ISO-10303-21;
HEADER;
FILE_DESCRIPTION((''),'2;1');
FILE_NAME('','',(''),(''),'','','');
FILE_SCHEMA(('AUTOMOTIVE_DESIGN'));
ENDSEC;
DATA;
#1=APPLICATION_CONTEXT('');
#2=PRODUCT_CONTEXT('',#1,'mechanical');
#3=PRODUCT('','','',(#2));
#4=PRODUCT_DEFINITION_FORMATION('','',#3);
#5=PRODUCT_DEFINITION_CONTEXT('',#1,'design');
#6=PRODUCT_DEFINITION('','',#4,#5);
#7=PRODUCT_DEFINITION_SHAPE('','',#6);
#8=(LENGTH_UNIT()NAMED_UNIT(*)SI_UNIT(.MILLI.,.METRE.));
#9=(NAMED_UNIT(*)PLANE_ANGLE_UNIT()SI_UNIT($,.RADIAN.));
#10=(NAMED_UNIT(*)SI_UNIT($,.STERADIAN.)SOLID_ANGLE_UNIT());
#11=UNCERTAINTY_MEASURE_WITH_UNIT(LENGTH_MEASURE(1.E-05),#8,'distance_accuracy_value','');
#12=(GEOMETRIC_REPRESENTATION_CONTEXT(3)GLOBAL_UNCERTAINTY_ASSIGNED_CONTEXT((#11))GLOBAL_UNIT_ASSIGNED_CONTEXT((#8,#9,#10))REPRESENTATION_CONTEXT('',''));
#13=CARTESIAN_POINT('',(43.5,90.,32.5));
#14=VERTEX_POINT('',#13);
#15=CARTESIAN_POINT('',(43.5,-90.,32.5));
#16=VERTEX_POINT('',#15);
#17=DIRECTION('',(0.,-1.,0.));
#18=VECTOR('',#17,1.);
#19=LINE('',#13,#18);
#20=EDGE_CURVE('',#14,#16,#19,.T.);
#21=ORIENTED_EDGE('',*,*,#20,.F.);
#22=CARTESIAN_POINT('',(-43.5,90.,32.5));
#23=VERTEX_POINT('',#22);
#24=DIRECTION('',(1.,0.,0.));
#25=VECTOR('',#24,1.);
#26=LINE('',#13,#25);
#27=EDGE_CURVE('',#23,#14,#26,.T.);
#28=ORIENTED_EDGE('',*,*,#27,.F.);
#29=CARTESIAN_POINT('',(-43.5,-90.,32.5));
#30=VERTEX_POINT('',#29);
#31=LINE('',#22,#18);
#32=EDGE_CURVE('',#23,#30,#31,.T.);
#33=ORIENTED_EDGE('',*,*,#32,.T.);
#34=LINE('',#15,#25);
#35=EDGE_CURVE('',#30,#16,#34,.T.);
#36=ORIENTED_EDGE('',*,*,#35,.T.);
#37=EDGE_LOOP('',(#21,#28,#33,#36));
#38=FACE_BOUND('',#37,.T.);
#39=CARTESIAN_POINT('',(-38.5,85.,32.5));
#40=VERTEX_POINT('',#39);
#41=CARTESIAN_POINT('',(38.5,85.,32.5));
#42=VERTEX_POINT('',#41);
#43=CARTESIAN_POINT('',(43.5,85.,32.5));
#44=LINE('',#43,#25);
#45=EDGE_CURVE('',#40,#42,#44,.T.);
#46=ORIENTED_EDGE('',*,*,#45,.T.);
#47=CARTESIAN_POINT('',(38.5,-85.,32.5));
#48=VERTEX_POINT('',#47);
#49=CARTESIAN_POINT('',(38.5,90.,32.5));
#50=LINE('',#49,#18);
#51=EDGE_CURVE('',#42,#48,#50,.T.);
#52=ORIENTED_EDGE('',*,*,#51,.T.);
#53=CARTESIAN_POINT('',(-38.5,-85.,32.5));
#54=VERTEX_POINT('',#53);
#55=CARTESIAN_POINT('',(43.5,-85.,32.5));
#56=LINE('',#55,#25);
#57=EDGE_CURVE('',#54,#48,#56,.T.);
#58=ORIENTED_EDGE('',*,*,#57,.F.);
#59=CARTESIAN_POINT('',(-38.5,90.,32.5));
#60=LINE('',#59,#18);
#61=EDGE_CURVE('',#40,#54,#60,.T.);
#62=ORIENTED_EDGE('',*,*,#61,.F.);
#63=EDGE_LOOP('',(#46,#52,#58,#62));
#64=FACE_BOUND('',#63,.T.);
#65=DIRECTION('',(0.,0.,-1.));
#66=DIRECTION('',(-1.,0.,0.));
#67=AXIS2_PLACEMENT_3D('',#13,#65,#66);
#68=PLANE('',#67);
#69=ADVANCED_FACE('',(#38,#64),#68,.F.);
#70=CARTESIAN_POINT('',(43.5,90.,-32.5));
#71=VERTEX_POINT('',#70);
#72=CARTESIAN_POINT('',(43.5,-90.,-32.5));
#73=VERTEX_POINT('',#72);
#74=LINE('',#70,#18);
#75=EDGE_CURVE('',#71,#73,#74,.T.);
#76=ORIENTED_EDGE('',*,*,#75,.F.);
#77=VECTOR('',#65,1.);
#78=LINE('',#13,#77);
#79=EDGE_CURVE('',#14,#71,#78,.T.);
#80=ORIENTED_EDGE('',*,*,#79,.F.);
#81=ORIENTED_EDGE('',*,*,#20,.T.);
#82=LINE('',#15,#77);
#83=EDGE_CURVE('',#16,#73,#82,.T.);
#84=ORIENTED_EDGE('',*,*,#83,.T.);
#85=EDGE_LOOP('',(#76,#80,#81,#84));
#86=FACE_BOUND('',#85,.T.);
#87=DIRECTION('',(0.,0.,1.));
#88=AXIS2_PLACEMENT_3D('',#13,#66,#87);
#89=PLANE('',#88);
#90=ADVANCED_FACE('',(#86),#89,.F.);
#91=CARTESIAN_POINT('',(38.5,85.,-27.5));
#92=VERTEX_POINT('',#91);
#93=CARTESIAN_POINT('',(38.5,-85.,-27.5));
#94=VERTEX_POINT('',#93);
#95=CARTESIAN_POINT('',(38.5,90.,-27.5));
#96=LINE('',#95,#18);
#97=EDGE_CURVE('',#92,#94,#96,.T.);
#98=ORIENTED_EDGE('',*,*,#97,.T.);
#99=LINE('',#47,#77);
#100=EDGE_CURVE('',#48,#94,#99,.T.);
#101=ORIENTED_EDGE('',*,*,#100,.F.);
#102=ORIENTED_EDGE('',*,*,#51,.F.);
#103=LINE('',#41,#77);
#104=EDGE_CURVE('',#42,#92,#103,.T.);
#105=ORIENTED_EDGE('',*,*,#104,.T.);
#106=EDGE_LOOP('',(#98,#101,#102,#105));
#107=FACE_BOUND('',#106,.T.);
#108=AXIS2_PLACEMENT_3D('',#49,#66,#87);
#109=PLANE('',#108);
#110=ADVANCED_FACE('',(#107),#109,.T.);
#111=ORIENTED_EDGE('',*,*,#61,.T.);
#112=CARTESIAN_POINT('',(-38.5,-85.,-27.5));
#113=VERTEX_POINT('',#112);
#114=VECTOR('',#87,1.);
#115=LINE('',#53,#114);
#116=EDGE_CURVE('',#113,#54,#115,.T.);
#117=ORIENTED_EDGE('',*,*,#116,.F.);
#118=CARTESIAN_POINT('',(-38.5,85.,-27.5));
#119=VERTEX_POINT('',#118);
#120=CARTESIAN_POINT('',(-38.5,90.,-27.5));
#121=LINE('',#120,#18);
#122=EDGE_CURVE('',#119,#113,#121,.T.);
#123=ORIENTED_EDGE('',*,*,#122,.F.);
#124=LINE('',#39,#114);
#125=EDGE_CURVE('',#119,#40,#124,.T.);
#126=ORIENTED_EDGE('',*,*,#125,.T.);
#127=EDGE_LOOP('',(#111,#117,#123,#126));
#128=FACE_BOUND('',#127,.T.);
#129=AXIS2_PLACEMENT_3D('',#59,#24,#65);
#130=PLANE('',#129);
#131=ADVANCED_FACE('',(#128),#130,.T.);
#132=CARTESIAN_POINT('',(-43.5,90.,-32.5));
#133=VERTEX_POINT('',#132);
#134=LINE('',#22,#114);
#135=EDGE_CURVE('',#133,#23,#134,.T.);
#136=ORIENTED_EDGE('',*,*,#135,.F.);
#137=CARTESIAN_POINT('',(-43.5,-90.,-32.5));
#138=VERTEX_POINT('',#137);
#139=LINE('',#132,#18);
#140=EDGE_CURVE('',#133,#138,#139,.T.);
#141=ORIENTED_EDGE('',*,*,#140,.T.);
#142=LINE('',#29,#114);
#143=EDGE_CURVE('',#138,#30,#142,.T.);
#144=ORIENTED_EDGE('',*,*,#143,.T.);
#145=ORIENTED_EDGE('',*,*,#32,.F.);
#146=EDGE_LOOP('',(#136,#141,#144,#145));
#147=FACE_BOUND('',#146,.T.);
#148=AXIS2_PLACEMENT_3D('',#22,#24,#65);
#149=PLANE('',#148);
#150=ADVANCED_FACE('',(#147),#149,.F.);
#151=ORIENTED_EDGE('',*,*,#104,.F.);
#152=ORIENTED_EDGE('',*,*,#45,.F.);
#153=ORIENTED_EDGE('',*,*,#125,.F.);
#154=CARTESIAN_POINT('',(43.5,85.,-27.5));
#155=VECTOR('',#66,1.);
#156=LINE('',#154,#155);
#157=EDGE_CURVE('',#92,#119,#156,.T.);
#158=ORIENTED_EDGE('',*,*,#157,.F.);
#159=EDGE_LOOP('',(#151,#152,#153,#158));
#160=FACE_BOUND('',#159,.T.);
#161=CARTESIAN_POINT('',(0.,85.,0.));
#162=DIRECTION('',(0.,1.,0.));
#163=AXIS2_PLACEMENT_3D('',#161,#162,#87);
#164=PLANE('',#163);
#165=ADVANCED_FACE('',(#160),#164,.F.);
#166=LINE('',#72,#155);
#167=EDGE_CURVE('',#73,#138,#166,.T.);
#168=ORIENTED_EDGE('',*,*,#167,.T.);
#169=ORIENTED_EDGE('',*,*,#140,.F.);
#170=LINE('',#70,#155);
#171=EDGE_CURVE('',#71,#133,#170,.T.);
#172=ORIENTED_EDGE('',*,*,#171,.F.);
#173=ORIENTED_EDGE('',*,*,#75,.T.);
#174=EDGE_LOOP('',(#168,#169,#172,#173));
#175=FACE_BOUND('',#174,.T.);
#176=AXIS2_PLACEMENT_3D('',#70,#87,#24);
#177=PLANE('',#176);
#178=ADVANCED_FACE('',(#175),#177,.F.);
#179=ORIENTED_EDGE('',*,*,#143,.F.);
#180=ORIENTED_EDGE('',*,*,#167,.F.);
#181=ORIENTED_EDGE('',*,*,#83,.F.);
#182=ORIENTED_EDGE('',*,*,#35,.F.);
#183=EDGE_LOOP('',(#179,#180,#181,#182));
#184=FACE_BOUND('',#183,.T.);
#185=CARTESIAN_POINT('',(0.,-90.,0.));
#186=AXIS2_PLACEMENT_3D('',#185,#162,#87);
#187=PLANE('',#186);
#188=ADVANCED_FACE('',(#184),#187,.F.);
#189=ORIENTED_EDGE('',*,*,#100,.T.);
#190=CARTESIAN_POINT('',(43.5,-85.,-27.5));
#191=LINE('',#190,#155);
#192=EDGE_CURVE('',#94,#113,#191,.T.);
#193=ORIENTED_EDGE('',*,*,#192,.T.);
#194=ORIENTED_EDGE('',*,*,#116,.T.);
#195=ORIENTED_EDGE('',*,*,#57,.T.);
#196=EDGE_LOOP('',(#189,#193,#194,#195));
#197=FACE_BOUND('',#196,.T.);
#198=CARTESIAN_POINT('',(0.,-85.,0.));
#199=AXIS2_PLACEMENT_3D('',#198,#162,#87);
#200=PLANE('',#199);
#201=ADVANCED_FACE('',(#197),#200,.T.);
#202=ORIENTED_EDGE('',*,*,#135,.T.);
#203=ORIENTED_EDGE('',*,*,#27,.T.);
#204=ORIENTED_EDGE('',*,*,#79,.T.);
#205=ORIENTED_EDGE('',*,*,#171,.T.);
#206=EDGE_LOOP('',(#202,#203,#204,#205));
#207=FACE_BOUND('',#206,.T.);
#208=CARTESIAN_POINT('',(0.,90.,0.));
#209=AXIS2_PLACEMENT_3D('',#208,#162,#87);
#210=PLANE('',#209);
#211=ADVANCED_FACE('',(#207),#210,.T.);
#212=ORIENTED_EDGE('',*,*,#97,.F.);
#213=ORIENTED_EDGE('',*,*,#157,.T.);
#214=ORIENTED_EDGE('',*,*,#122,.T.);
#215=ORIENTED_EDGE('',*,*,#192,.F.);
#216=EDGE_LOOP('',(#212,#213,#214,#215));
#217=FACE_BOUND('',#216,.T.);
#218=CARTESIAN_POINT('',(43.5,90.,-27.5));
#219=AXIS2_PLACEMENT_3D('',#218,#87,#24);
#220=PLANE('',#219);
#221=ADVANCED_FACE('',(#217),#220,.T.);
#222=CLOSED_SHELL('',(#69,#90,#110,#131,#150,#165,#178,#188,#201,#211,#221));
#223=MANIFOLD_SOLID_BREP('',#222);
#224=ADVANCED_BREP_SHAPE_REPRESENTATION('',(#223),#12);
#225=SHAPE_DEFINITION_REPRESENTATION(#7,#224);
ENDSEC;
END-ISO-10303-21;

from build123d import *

# Parameters (mm, degrees)
SKETCH1_W           = 87
SKETCH1_H           = 65
BOSS_EXTRUDE1_DEPTH = 90
SHELL1_T            = -5


with BuildPart() as part:
    # Sketch1 → Boss-Extrude1 (new, symmetric)
    with BuildSketch(Plane(origin=(0, 0, 0), x_dir=(-1, 0, 0), z_dir=(0, 1, 0))):
        Rectangle(SKETCH1_W, SKETCH1_H)
    extrude(amount=BOSS_EXTRUDE1_DEPTH, both=True)

    # Shell1
    shell1_openings = [part.faces().sort_by_distance(p)[0] for p in [
        (0, 0, 32.5),
    ]]
    offset(amount=SHELL1_T, openings=shell1_openings, kind=Kind.INTERSECTION)


solid = part.part
